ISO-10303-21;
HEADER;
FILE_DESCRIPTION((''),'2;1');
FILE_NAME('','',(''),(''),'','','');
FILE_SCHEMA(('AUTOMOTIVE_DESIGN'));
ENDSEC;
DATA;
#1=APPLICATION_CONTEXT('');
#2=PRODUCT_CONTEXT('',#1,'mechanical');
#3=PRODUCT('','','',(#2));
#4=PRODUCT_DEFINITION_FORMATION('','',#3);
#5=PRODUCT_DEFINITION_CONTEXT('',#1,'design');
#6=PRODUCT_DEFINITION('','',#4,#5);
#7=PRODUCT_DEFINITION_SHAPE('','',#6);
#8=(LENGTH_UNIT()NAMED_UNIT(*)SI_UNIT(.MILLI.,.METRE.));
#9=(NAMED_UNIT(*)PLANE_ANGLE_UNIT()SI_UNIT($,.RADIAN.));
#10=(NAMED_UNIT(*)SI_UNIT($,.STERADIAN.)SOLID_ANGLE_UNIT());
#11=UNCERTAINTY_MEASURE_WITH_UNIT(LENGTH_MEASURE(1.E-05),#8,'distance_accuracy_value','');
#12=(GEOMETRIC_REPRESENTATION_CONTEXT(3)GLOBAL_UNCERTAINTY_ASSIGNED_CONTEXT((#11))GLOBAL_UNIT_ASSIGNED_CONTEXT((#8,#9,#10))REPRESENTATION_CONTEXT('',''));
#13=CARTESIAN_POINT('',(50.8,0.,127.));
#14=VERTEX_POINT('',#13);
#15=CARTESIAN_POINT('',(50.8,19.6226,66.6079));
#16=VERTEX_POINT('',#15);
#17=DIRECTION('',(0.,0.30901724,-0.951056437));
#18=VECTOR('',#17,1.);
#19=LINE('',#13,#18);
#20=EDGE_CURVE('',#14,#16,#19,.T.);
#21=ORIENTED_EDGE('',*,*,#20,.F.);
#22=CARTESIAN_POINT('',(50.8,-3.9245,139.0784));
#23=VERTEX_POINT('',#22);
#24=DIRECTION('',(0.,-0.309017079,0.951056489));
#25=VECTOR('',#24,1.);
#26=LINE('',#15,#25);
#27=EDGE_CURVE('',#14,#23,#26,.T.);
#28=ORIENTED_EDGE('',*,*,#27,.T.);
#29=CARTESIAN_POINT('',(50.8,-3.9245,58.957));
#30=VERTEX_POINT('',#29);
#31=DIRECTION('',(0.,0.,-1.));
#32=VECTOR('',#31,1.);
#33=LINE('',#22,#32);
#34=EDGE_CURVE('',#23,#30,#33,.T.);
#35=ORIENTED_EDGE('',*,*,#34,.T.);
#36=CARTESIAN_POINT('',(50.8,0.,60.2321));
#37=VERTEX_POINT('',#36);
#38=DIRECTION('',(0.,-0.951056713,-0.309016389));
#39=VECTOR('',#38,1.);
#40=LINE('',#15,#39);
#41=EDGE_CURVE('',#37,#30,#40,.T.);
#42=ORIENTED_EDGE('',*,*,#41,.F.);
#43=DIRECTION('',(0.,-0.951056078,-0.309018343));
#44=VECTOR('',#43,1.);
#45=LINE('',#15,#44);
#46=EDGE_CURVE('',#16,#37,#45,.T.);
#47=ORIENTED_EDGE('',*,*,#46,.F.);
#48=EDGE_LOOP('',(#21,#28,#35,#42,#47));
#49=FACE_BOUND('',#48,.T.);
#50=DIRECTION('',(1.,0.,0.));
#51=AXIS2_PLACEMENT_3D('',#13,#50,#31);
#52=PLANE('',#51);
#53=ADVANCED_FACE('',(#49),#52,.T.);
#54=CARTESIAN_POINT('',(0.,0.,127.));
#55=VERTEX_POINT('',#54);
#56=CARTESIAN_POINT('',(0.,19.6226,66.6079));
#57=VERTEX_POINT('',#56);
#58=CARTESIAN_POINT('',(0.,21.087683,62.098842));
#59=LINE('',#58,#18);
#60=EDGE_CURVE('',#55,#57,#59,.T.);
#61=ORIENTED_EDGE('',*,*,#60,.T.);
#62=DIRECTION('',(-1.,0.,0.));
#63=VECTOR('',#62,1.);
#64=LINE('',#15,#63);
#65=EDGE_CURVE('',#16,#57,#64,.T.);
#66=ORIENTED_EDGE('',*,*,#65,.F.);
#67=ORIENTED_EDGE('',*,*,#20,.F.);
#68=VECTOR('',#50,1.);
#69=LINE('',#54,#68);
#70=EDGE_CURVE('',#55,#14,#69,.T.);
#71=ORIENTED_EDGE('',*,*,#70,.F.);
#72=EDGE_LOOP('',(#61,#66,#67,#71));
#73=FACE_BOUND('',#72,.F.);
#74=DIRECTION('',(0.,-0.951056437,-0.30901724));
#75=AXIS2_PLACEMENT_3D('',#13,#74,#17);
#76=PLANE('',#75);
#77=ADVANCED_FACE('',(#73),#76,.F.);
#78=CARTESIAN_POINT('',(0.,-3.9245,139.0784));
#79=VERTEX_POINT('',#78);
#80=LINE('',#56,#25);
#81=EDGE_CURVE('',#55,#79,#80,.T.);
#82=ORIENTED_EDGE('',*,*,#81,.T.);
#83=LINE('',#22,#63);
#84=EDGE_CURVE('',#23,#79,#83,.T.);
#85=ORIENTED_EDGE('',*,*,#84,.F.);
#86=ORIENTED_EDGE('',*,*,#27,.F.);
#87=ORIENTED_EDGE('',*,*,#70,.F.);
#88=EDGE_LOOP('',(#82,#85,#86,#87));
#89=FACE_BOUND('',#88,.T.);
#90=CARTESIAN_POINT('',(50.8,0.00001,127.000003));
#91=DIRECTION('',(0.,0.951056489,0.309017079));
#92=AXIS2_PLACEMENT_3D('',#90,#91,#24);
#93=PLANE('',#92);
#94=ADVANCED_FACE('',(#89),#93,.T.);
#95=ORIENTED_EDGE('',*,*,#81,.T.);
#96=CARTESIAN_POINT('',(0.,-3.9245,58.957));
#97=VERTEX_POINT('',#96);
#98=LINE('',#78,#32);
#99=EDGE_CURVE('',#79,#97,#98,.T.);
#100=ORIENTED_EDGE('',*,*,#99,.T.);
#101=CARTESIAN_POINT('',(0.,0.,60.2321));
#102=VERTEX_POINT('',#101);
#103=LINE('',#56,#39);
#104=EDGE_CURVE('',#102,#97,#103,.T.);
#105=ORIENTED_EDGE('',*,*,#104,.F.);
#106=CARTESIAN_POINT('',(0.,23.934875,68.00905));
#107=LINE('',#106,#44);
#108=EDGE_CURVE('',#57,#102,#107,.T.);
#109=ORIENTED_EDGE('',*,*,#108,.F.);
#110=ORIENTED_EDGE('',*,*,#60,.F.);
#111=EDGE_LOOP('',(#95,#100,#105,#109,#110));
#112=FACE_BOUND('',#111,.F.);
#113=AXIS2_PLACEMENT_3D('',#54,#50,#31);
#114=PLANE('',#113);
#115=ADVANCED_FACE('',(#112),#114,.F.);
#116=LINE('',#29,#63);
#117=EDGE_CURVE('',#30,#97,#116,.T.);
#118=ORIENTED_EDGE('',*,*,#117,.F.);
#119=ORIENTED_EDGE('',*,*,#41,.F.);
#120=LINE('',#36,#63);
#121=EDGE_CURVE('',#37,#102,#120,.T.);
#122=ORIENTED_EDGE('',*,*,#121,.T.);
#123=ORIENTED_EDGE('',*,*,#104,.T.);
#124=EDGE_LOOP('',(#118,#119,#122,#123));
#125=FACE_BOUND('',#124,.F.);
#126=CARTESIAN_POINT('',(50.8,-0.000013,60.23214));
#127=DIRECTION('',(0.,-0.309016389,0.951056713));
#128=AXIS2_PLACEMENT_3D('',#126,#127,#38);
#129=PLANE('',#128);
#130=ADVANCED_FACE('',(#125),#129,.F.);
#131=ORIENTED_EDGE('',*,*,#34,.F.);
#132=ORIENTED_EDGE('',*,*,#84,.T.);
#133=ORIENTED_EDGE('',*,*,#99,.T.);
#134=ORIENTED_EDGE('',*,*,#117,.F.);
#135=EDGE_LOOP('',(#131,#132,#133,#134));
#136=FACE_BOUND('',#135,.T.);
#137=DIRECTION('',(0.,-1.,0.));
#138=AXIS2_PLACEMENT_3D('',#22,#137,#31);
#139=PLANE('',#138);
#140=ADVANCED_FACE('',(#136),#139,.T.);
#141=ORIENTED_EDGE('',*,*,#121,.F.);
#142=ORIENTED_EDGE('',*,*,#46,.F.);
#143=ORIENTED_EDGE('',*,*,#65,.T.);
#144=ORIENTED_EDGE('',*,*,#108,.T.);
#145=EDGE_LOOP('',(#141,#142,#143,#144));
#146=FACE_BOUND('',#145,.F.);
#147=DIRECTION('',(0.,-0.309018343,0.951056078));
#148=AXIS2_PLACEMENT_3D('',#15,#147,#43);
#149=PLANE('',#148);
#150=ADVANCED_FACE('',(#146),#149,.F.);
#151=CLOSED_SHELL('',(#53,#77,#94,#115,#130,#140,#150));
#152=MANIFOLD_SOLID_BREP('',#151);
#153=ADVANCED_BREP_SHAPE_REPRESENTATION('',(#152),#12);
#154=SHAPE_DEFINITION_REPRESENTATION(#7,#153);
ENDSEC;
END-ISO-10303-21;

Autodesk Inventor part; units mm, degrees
ref_plane "YZ Plane" through (0, 0, 0) normal (1, 0, 0) x (0, 1, 0)
ref_plane "XZ Plane" through (0, 0, 0) normal (0, 1, 0) x (-1, 0, 0)
ref_plane "XY Plane" through (0, 0, 0) normal (0, 0, 1) x (1, 0, 0)
sketch "Sketch1" plane through (0, 0, 0) normal (0, 0, 1) x (1, 0, 0)
  line L0 (0, 0) -> (50.8, 0)
  line L1 (50.8, 0) -> (50.8, 50.8)
  line L2 (50.8, 50.8) -> (0, 50.8)
  line L3 (0, 50.8) -> (0, 0)
  dimension "d0" = 50.8
  dimension "d1" = 50.8
extrude "Extrusion1" add sketch "Sketch1" along normal blind 127
sketch "Sketch2" plane through (50.8, 0, 0) normal (1, 0, 0) x (0, 0, -1)
  line L0 (-127, 50.8) -> (-127, 0) projected
  line L1 (0, 0) -> (-127, 0) projected
  line L2 (0, 0) -> (0, 50.8) projected
  line L3 (0, 50.8) -> (-127, 50.8) projected
  line L4 (-127, 0) -> (-66.6079, 19.6226)
  line L5 (-127, 0) -> (-63.5, 0) construction
  line L6 (-66.6079, 19.6226) -> (-60.2321, 0)
  line L7 (-60.2321, 0) -> (-127, 0)
  dimension "d4" = 63.5
  dimension "d5" = 18
extrude "Extrusion2" cut sketch "Sketch2" against normal blind 127 contours L3 L2 L1 L6 L4 L0
sketch "Sketch3" plane through (50.8, 0, 127) normal (1, 0, 0) x (0, 0, -1)
  line L0 (66.7679, 0) -> (60.3921, 19.6226) projected
  line L1 (60.3921, 19.6226) -> (0, 0) projected
  line L2 (66.7679, 0) -> (0, 0) projected
  line L3 (60.3921, 19.6226) -> (-12.0784, -3.9245)
  line L4 (-12.0784, -3.9245) -> (70.1883, -3.9245)
  line L5 (60.3921, 19.6226) -> (68.043, -3.9245)
  point P0 (127, 0)
  dimension "d8" = 76.2
extrude "Extrusion3" add sketch "Sketch3" against normal blind 50.8 contours L5 L4 L3 L2
properties part number "Goal Guide 2"
